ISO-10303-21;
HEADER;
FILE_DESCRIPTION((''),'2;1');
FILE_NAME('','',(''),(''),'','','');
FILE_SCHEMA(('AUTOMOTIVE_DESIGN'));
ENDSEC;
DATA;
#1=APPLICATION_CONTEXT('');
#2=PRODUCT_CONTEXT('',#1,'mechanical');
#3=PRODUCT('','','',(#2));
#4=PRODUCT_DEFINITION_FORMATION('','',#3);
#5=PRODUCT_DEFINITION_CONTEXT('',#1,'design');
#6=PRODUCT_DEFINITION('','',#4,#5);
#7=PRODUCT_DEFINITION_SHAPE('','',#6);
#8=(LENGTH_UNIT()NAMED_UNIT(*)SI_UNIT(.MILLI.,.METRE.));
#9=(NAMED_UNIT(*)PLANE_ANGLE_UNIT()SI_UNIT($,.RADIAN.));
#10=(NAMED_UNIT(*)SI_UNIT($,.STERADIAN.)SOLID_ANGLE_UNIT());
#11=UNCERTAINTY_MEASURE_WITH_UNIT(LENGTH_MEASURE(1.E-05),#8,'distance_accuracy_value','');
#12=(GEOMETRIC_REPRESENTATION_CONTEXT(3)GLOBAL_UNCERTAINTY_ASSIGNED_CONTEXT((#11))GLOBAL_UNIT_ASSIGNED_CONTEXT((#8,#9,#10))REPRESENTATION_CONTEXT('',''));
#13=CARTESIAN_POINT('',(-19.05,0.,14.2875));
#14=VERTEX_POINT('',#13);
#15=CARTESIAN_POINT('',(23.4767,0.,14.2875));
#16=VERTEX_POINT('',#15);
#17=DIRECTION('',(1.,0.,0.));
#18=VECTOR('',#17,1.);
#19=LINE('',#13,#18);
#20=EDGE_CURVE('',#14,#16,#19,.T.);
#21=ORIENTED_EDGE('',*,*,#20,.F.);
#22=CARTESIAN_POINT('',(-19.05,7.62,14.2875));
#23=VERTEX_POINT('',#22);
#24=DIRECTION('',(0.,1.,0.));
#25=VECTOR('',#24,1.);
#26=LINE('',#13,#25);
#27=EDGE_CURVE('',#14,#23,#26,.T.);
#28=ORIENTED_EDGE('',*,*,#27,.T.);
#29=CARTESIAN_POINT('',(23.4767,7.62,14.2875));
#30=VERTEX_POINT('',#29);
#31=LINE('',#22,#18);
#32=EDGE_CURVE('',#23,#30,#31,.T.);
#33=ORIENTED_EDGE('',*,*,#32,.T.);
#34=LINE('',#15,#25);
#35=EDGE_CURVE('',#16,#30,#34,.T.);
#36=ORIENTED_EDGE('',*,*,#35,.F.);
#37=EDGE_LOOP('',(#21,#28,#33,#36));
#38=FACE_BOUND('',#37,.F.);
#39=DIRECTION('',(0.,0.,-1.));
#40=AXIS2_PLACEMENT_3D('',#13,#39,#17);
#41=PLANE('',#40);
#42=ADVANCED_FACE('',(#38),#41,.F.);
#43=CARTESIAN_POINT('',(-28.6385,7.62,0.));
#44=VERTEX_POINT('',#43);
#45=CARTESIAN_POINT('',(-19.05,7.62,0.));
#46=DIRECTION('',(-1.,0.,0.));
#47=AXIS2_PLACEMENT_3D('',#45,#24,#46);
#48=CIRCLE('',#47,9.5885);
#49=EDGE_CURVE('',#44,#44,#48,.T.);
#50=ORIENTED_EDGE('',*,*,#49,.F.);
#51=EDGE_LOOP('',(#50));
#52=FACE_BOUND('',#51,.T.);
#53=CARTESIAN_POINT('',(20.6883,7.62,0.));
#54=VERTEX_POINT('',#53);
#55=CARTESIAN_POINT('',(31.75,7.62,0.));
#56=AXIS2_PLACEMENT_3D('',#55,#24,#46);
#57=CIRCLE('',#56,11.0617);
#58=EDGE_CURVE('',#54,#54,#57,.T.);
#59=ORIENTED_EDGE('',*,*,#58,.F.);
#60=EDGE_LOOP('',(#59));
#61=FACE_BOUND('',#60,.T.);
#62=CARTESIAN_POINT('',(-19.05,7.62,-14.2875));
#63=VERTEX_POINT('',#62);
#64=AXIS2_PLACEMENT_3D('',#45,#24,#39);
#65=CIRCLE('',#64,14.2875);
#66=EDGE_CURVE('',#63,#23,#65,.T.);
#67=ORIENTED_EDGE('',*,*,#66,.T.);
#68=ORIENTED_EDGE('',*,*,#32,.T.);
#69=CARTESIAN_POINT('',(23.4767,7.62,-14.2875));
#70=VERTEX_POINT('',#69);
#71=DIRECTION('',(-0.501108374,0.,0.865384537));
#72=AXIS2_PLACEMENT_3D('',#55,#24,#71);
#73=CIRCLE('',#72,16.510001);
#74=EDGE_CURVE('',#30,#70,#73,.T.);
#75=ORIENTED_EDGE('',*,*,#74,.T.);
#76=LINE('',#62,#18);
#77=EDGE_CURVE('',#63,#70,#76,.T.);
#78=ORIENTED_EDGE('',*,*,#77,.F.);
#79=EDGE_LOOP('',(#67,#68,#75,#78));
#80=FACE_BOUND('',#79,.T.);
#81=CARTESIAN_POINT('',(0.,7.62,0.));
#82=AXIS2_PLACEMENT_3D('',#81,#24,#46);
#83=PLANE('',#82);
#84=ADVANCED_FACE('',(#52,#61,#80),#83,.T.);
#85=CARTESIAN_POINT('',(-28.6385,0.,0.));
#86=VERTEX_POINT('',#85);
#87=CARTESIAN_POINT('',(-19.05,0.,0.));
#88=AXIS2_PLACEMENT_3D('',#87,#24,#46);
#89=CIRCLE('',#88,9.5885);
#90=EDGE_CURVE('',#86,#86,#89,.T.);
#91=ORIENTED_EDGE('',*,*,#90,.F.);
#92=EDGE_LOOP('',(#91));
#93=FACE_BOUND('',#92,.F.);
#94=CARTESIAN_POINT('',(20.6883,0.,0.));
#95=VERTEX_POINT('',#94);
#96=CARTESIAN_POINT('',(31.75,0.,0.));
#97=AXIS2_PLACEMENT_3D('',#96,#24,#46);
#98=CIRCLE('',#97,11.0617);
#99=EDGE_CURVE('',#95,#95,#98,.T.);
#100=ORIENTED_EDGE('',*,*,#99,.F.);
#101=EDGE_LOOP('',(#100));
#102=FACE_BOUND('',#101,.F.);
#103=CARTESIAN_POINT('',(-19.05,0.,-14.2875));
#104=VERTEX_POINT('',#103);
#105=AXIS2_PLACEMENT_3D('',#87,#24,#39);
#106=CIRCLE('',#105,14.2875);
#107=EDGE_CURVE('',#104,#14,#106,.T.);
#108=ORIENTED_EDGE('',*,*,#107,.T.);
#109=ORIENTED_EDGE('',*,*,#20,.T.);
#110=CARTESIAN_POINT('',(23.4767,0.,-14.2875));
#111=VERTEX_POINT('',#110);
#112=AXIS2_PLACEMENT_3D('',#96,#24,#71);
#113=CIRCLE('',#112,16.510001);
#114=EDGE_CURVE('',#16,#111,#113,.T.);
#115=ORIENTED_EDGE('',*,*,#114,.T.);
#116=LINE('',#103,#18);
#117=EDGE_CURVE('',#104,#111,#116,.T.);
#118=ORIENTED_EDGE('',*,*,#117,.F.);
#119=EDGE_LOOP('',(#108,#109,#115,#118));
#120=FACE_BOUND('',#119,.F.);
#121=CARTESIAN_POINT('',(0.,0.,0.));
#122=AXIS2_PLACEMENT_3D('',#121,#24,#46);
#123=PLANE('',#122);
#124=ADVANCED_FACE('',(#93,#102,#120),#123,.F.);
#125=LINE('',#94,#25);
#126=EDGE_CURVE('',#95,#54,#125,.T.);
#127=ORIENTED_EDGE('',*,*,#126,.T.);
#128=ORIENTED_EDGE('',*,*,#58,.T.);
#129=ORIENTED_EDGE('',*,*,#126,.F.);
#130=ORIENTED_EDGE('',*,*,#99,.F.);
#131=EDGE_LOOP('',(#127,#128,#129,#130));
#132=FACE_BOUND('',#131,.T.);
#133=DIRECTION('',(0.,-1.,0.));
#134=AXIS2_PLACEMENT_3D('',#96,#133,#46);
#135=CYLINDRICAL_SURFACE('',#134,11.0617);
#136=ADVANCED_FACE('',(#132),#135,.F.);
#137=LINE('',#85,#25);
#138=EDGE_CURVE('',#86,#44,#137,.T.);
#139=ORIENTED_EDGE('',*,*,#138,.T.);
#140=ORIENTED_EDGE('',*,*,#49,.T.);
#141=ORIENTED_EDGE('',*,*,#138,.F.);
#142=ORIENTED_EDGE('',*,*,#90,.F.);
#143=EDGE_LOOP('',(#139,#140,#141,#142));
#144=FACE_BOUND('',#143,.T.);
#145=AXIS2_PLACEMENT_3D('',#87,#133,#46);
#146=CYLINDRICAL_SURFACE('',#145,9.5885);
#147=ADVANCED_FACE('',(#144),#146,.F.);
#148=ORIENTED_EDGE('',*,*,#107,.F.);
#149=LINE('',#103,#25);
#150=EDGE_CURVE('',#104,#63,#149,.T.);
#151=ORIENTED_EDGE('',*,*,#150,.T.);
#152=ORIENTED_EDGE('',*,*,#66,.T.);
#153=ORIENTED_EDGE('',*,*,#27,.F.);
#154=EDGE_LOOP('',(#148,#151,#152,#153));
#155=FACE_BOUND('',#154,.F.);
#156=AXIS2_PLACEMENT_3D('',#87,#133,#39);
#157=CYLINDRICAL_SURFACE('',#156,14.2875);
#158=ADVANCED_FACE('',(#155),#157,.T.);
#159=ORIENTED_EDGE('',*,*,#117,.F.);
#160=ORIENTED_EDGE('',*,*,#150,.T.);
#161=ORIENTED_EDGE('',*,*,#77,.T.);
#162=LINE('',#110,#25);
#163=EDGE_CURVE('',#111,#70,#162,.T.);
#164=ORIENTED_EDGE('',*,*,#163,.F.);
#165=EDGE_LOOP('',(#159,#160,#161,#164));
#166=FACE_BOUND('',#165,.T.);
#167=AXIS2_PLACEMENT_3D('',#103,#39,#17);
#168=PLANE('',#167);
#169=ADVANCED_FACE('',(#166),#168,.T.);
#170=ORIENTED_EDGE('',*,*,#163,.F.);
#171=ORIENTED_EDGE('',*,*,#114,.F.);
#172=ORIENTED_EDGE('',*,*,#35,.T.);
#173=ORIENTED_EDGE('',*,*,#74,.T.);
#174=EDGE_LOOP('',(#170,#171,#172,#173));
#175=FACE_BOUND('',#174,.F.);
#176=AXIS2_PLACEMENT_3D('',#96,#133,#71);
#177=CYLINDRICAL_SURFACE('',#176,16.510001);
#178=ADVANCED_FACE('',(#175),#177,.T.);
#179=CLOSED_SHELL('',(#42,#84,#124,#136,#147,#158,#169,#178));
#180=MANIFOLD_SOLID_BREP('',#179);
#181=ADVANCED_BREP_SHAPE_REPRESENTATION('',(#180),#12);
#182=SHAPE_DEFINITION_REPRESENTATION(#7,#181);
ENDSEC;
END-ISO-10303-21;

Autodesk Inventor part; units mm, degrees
ref_plane "YZ Plane" through (0, 0, 0) normal (1, 0, 0) x (0, 1, 0)
ref_plane "XZ Plane" through (0, 0, 0) normal (0, 1, 0) x (-1, 0, 0)
ref_plane "XY Plane" through (0, 0, 0) normal (0, 0, 1) x (1, 0, 0)
sketch "Sketch1" plane through (0, 0, 0) normal (0, 1, 0) x (-1, 0, 0)
  arc A0 (-23.4767, 14.2875) -> (-23.4767, -14.2875) centre (-31.75, 0) ccw
  circle A1 centre (-31.75, 0) radius 11.0617
  circle A2 centre (19.05, 0) radius 9.5885
  arc A3 (19.05, -14.2875) -> (19.05, 14.2875) centre (19.05, 0) ccw
  line L0 (19.05, -14.2875) -> (-23.4767, -14.2875)
  line L1 (19.05, 14.2875) -> (-23.4767, 14.2875)
  point P0 (0, 0)
  point P1 (12.5046, 12.7)
  point P2 (-21.2006, -12.7)
  dimension "d11" = 19.177
  dimension "d14" = 28.575
  dimension "d15" = 22.1234
extrude "Extrusion1" add sketch "Sketch1" along normal blind 7.62
properties part number "Connecting Rod"
